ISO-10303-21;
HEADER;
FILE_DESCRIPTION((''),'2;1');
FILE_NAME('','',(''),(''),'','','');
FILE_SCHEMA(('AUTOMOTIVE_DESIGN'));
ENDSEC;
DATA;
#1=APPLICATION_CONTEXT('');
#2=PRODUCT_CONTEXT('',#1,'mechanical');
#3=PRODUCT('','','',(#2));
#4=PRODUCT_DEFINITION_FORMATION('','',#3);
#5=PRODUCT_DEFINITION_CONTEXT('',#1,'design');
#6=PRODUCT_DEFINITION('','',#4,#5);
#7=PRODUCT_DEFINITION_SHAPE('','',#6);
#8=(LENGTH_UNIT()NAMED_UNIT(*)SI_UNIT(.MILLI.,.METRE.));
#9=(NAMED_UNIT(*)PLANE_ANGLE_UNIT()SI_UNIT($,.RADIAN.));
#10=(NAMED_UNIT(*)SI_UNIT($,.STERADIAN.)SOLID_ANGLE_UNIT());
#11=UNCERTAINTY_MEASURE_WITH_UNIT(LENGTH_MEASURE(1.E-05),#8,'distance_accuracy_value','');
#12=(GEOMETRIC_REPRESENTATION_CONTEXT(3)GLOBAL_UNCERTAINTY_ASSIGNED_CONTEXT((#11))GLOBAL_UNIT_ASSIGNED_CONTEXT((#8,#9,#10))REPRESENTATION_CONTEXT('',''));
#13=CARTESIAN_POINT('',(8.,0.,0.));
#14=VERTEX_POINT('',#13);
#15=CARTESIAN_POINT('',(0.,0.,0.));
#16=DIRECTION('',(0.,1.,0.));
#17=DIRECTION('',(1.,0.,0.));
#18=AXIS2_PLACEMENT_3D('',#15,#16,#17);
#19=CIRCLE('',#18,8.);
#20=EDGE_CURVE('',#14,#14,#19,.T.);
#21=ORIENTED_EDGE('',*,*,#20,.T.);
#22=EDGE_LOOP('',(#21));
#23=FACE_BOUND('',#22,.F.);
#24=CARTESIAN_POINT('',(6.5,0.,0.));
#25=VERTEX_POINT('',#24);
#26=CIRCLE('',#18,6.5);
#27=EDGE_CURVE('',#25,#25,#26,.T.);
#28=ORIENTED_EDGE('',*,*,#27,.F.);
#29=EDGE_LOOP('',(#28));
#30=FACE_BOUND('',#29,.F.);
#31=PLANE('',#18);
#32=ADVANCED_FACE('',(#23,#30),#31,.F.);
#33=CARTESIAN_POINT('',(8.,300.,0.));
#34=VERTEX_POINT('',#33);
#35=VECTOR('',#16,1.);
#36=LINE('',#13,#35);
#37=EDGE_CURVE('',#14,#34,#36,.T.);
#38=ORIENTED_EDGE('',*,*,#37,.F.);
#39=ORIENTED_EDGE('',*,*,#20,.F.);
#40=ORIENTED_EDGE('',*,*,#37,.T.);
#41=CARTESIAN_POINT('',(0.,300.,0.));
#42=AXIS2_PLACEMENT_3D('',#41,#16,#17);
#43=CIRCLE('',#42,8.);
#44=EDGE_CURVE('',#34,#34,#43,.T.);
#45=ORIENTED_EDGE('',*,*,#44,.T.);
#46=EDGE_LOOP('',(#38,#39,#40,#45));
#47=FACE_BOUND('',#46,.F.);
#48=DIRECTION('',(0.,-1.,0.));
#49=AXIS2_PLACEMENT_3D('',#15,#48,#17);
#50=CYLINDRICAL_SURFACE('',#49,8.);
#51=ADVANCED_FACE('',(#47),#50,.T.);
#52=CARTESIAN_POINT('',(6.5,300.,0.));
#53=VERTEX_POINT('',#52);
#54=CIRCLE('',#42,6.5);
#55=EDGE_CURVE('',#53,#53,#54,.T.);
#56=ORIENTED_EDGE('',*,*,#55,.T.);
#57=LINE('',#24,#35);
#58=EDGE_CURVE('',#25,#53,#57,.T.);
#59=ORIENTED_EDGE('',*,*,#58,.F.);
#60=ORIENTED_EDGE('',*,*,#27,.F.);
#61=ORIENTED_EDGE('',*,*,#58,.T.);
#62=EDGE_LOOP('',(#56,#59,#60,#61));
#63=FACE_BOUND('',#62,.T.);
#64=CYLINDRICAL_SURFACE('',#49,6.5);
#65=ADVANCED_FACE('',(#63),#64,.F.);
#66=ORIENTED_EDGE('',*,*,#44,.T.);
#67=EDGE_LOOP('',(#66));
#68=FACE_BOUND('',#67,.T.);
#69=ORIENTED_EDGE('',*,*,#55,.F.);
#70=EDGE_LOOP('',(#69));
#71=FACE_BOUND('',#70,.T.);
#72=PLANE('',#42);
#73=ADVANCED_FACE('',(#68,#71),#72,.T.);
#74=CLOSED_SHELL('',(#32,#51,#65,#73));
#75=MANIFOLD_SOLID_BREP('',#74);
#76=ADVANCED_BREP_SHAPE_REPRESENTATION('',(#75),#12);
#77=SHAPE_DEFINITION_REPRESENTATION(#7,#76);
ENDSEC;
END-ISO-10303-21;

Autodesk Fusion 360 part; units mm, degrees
sketch "Skizze1" plane through (0, 0, 0) normal (0, 1, 0) x (1, 0, 0)
  circle A0 centre (0, 0) radius 8
  circle A1 centre (0, 0) radius 6.5
  dimension "d1" = 16
  dimension "d2" = 1.5
extrude "Extrusion1" add sketch "Skizze1" along normal blind 300
